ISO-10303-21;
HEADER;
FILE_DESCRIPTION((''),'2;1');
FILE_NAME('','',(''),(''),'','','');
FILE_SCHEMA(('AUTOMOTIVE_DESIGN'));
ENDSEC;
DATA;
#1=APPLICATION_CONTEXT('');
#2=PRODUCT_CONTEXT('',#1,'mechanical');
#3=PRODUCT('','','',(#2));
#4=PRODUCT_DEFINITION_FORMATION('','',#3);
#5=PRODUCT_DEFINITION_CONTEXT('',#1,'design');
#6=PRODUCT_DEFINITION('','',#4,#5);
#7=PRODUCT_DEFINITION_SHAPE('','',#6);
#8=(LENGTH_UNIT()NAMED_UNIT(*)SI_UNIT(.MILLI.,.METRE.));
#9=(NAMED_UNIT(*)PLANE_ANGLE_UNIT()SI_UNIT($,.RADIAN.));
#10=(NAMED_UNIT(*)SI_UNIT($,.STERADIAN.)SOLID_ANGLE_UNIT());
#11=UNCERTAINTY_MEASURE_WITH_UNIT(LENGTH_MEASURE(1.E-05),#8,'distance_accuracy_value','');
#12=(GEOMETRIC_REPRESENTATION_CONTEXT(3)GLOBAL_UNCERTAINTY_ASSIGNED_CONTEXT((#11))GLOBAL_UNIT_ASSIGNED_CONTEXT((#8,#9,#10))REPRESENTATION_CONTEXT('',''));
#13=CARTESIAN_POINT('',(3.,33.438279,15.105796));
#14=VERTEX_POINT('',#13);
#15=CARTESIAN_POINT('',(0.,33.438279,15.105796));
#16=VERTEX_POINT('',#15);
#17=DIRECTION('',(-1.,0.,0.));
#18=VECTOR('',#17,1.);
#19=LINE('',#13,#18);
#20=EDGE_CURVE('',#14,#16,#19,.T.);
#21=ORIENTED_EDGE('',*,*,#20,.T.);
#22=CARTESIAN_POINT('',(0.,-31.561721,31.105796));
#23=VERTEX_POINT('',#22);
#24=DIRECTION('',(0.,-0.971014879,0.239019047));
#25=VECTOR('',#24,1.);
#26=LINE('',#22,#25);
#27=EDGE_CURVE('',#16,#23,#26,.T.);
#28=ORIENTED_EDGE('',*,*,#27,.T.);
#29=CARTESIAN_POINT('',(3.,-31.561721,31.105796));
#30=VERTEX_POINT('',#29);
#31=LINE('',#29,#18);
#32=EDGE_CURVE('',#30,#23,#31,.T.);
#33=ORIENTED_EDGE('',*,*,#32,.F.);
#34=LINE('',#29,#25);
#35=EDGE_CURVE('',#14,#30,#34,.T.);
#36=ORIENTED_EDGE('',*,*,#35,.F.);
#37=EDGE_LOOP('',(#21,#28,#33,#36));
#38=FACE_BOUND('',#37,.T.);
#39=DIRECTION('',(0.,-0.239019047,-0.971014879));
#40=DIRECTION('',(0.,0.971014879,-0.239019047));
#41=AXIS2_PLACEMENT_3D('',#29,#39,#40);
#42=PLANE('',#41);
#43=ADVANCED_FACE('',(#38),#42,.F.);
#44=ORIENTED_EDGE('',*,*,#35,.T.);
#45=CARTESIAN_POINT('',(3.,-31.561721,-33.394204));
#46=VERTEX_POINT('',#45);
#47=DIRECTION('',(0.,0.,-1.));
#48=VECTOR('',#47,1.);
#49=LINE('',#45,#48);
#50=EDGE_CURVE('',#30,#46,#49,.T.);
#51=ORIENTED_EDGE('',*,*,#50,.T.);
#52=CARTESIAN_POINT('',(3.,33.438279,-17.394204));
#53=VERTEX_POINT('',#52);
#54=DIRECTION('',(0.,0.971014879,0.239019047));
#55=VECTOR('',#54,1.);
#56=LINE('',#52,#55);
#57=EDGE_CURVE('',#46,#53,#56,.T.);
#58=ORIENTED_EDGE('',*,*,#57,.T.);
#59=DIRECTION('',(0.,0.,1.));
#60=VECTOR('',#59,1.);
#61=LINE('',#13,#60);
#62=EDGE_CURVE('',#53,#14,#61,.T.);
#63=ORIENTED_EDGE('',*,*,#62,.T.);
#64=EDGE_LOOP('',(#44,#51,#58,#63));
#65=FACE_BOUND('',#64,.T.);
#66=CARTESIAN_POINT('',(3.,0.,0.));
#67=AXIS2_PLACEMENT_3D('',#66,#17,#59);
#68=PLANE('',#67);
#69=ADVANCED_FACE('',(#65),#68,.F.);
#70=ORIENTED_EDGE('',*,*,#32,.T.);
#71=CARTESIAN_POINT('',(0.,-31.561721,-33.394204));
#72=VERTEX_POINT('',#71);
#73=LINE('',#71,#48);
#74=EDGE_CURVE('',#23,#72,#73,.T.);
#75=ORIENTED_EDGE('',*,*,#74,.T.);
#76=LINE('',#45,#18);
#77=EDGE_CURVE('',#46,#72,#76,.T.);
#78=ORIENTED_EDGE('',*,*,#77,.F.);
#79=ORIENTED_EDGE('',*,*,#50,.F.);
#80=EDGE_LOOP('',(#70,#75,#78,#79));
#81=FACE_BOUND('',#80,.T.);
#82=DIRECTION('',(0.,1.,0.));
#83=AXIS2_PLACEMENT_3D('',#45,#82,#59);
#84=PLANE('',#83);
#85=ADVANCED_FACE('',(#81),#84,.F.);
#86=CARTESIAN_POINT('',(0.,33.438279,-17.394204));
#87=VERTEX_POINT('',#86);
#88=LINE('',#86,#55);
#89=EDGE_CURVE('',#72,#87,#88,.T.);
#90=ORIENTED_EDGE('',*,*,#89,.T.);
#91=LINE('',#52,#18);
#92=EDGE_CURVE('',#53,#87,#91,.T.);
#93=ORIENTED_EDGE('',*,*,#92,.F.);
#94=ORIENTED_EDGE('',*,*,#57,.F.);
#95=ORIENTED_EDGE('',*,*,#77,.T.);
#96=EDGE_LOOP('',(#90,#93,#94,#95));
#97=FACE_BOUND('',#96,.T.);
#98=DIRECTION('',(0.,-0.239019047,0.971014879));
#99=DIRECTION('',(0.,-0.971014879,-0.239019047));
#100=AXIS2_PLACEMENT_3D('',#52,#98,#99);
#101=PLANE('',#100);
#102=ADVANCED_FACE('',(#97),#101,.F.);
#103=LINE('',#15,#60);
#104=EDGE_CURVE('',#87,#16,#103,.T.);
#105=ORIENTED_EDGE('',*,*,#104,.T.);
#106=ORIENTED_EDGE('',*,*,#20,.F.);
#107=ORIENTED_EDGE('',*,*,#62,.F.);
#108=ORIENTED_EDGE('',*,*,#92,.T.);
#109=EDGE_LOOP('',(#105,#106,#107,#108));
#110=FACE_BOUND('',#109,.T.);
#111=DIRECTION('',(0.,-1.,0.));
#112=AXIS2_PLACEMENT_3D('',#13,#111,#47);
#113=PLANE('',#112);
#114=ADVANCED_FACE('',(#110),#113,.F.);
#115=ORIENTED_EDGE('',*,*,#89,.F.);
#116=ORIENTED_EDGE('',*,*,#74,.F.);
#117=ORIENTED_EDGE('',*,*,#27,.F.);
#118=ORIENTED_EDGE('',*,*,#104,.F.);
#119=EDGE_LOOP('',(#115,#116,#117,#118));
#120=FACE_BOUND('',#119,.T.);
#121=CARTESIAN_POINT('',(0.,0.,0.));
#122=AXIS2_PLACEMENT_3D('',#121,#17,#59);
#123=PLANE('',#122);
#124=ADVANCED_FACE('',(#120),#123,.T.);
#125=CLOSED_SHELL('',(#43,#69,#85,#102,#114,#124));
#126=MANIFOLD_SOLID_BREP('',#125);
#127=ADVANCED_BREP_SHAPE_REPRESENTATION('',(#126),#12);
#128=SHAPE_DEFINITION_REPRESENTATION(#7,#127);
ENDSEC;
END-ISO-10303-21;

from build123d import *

# Parameters (mm, degrees)
SALIENTE_EXTRUIR1_DEPTH = 3


with BuildPart() as part:
    # Croquis2 → Saliente-Extruir1 (new body)
    with BuildSketch(Plane(origin=(0, 0, 0), x_dir=(0, 0, -1), z_dir=(1, 0, 0))):
        Polygon((-15.105796306, 33.438278854), (17.394203694, 33.438278854), (33.394203694, -31.561721146), (-31.105796306, -31.561721146), align=None)
    extrude(amount=SALIENTE_EXTRUIR1_DEPTH)


solid = part.part
